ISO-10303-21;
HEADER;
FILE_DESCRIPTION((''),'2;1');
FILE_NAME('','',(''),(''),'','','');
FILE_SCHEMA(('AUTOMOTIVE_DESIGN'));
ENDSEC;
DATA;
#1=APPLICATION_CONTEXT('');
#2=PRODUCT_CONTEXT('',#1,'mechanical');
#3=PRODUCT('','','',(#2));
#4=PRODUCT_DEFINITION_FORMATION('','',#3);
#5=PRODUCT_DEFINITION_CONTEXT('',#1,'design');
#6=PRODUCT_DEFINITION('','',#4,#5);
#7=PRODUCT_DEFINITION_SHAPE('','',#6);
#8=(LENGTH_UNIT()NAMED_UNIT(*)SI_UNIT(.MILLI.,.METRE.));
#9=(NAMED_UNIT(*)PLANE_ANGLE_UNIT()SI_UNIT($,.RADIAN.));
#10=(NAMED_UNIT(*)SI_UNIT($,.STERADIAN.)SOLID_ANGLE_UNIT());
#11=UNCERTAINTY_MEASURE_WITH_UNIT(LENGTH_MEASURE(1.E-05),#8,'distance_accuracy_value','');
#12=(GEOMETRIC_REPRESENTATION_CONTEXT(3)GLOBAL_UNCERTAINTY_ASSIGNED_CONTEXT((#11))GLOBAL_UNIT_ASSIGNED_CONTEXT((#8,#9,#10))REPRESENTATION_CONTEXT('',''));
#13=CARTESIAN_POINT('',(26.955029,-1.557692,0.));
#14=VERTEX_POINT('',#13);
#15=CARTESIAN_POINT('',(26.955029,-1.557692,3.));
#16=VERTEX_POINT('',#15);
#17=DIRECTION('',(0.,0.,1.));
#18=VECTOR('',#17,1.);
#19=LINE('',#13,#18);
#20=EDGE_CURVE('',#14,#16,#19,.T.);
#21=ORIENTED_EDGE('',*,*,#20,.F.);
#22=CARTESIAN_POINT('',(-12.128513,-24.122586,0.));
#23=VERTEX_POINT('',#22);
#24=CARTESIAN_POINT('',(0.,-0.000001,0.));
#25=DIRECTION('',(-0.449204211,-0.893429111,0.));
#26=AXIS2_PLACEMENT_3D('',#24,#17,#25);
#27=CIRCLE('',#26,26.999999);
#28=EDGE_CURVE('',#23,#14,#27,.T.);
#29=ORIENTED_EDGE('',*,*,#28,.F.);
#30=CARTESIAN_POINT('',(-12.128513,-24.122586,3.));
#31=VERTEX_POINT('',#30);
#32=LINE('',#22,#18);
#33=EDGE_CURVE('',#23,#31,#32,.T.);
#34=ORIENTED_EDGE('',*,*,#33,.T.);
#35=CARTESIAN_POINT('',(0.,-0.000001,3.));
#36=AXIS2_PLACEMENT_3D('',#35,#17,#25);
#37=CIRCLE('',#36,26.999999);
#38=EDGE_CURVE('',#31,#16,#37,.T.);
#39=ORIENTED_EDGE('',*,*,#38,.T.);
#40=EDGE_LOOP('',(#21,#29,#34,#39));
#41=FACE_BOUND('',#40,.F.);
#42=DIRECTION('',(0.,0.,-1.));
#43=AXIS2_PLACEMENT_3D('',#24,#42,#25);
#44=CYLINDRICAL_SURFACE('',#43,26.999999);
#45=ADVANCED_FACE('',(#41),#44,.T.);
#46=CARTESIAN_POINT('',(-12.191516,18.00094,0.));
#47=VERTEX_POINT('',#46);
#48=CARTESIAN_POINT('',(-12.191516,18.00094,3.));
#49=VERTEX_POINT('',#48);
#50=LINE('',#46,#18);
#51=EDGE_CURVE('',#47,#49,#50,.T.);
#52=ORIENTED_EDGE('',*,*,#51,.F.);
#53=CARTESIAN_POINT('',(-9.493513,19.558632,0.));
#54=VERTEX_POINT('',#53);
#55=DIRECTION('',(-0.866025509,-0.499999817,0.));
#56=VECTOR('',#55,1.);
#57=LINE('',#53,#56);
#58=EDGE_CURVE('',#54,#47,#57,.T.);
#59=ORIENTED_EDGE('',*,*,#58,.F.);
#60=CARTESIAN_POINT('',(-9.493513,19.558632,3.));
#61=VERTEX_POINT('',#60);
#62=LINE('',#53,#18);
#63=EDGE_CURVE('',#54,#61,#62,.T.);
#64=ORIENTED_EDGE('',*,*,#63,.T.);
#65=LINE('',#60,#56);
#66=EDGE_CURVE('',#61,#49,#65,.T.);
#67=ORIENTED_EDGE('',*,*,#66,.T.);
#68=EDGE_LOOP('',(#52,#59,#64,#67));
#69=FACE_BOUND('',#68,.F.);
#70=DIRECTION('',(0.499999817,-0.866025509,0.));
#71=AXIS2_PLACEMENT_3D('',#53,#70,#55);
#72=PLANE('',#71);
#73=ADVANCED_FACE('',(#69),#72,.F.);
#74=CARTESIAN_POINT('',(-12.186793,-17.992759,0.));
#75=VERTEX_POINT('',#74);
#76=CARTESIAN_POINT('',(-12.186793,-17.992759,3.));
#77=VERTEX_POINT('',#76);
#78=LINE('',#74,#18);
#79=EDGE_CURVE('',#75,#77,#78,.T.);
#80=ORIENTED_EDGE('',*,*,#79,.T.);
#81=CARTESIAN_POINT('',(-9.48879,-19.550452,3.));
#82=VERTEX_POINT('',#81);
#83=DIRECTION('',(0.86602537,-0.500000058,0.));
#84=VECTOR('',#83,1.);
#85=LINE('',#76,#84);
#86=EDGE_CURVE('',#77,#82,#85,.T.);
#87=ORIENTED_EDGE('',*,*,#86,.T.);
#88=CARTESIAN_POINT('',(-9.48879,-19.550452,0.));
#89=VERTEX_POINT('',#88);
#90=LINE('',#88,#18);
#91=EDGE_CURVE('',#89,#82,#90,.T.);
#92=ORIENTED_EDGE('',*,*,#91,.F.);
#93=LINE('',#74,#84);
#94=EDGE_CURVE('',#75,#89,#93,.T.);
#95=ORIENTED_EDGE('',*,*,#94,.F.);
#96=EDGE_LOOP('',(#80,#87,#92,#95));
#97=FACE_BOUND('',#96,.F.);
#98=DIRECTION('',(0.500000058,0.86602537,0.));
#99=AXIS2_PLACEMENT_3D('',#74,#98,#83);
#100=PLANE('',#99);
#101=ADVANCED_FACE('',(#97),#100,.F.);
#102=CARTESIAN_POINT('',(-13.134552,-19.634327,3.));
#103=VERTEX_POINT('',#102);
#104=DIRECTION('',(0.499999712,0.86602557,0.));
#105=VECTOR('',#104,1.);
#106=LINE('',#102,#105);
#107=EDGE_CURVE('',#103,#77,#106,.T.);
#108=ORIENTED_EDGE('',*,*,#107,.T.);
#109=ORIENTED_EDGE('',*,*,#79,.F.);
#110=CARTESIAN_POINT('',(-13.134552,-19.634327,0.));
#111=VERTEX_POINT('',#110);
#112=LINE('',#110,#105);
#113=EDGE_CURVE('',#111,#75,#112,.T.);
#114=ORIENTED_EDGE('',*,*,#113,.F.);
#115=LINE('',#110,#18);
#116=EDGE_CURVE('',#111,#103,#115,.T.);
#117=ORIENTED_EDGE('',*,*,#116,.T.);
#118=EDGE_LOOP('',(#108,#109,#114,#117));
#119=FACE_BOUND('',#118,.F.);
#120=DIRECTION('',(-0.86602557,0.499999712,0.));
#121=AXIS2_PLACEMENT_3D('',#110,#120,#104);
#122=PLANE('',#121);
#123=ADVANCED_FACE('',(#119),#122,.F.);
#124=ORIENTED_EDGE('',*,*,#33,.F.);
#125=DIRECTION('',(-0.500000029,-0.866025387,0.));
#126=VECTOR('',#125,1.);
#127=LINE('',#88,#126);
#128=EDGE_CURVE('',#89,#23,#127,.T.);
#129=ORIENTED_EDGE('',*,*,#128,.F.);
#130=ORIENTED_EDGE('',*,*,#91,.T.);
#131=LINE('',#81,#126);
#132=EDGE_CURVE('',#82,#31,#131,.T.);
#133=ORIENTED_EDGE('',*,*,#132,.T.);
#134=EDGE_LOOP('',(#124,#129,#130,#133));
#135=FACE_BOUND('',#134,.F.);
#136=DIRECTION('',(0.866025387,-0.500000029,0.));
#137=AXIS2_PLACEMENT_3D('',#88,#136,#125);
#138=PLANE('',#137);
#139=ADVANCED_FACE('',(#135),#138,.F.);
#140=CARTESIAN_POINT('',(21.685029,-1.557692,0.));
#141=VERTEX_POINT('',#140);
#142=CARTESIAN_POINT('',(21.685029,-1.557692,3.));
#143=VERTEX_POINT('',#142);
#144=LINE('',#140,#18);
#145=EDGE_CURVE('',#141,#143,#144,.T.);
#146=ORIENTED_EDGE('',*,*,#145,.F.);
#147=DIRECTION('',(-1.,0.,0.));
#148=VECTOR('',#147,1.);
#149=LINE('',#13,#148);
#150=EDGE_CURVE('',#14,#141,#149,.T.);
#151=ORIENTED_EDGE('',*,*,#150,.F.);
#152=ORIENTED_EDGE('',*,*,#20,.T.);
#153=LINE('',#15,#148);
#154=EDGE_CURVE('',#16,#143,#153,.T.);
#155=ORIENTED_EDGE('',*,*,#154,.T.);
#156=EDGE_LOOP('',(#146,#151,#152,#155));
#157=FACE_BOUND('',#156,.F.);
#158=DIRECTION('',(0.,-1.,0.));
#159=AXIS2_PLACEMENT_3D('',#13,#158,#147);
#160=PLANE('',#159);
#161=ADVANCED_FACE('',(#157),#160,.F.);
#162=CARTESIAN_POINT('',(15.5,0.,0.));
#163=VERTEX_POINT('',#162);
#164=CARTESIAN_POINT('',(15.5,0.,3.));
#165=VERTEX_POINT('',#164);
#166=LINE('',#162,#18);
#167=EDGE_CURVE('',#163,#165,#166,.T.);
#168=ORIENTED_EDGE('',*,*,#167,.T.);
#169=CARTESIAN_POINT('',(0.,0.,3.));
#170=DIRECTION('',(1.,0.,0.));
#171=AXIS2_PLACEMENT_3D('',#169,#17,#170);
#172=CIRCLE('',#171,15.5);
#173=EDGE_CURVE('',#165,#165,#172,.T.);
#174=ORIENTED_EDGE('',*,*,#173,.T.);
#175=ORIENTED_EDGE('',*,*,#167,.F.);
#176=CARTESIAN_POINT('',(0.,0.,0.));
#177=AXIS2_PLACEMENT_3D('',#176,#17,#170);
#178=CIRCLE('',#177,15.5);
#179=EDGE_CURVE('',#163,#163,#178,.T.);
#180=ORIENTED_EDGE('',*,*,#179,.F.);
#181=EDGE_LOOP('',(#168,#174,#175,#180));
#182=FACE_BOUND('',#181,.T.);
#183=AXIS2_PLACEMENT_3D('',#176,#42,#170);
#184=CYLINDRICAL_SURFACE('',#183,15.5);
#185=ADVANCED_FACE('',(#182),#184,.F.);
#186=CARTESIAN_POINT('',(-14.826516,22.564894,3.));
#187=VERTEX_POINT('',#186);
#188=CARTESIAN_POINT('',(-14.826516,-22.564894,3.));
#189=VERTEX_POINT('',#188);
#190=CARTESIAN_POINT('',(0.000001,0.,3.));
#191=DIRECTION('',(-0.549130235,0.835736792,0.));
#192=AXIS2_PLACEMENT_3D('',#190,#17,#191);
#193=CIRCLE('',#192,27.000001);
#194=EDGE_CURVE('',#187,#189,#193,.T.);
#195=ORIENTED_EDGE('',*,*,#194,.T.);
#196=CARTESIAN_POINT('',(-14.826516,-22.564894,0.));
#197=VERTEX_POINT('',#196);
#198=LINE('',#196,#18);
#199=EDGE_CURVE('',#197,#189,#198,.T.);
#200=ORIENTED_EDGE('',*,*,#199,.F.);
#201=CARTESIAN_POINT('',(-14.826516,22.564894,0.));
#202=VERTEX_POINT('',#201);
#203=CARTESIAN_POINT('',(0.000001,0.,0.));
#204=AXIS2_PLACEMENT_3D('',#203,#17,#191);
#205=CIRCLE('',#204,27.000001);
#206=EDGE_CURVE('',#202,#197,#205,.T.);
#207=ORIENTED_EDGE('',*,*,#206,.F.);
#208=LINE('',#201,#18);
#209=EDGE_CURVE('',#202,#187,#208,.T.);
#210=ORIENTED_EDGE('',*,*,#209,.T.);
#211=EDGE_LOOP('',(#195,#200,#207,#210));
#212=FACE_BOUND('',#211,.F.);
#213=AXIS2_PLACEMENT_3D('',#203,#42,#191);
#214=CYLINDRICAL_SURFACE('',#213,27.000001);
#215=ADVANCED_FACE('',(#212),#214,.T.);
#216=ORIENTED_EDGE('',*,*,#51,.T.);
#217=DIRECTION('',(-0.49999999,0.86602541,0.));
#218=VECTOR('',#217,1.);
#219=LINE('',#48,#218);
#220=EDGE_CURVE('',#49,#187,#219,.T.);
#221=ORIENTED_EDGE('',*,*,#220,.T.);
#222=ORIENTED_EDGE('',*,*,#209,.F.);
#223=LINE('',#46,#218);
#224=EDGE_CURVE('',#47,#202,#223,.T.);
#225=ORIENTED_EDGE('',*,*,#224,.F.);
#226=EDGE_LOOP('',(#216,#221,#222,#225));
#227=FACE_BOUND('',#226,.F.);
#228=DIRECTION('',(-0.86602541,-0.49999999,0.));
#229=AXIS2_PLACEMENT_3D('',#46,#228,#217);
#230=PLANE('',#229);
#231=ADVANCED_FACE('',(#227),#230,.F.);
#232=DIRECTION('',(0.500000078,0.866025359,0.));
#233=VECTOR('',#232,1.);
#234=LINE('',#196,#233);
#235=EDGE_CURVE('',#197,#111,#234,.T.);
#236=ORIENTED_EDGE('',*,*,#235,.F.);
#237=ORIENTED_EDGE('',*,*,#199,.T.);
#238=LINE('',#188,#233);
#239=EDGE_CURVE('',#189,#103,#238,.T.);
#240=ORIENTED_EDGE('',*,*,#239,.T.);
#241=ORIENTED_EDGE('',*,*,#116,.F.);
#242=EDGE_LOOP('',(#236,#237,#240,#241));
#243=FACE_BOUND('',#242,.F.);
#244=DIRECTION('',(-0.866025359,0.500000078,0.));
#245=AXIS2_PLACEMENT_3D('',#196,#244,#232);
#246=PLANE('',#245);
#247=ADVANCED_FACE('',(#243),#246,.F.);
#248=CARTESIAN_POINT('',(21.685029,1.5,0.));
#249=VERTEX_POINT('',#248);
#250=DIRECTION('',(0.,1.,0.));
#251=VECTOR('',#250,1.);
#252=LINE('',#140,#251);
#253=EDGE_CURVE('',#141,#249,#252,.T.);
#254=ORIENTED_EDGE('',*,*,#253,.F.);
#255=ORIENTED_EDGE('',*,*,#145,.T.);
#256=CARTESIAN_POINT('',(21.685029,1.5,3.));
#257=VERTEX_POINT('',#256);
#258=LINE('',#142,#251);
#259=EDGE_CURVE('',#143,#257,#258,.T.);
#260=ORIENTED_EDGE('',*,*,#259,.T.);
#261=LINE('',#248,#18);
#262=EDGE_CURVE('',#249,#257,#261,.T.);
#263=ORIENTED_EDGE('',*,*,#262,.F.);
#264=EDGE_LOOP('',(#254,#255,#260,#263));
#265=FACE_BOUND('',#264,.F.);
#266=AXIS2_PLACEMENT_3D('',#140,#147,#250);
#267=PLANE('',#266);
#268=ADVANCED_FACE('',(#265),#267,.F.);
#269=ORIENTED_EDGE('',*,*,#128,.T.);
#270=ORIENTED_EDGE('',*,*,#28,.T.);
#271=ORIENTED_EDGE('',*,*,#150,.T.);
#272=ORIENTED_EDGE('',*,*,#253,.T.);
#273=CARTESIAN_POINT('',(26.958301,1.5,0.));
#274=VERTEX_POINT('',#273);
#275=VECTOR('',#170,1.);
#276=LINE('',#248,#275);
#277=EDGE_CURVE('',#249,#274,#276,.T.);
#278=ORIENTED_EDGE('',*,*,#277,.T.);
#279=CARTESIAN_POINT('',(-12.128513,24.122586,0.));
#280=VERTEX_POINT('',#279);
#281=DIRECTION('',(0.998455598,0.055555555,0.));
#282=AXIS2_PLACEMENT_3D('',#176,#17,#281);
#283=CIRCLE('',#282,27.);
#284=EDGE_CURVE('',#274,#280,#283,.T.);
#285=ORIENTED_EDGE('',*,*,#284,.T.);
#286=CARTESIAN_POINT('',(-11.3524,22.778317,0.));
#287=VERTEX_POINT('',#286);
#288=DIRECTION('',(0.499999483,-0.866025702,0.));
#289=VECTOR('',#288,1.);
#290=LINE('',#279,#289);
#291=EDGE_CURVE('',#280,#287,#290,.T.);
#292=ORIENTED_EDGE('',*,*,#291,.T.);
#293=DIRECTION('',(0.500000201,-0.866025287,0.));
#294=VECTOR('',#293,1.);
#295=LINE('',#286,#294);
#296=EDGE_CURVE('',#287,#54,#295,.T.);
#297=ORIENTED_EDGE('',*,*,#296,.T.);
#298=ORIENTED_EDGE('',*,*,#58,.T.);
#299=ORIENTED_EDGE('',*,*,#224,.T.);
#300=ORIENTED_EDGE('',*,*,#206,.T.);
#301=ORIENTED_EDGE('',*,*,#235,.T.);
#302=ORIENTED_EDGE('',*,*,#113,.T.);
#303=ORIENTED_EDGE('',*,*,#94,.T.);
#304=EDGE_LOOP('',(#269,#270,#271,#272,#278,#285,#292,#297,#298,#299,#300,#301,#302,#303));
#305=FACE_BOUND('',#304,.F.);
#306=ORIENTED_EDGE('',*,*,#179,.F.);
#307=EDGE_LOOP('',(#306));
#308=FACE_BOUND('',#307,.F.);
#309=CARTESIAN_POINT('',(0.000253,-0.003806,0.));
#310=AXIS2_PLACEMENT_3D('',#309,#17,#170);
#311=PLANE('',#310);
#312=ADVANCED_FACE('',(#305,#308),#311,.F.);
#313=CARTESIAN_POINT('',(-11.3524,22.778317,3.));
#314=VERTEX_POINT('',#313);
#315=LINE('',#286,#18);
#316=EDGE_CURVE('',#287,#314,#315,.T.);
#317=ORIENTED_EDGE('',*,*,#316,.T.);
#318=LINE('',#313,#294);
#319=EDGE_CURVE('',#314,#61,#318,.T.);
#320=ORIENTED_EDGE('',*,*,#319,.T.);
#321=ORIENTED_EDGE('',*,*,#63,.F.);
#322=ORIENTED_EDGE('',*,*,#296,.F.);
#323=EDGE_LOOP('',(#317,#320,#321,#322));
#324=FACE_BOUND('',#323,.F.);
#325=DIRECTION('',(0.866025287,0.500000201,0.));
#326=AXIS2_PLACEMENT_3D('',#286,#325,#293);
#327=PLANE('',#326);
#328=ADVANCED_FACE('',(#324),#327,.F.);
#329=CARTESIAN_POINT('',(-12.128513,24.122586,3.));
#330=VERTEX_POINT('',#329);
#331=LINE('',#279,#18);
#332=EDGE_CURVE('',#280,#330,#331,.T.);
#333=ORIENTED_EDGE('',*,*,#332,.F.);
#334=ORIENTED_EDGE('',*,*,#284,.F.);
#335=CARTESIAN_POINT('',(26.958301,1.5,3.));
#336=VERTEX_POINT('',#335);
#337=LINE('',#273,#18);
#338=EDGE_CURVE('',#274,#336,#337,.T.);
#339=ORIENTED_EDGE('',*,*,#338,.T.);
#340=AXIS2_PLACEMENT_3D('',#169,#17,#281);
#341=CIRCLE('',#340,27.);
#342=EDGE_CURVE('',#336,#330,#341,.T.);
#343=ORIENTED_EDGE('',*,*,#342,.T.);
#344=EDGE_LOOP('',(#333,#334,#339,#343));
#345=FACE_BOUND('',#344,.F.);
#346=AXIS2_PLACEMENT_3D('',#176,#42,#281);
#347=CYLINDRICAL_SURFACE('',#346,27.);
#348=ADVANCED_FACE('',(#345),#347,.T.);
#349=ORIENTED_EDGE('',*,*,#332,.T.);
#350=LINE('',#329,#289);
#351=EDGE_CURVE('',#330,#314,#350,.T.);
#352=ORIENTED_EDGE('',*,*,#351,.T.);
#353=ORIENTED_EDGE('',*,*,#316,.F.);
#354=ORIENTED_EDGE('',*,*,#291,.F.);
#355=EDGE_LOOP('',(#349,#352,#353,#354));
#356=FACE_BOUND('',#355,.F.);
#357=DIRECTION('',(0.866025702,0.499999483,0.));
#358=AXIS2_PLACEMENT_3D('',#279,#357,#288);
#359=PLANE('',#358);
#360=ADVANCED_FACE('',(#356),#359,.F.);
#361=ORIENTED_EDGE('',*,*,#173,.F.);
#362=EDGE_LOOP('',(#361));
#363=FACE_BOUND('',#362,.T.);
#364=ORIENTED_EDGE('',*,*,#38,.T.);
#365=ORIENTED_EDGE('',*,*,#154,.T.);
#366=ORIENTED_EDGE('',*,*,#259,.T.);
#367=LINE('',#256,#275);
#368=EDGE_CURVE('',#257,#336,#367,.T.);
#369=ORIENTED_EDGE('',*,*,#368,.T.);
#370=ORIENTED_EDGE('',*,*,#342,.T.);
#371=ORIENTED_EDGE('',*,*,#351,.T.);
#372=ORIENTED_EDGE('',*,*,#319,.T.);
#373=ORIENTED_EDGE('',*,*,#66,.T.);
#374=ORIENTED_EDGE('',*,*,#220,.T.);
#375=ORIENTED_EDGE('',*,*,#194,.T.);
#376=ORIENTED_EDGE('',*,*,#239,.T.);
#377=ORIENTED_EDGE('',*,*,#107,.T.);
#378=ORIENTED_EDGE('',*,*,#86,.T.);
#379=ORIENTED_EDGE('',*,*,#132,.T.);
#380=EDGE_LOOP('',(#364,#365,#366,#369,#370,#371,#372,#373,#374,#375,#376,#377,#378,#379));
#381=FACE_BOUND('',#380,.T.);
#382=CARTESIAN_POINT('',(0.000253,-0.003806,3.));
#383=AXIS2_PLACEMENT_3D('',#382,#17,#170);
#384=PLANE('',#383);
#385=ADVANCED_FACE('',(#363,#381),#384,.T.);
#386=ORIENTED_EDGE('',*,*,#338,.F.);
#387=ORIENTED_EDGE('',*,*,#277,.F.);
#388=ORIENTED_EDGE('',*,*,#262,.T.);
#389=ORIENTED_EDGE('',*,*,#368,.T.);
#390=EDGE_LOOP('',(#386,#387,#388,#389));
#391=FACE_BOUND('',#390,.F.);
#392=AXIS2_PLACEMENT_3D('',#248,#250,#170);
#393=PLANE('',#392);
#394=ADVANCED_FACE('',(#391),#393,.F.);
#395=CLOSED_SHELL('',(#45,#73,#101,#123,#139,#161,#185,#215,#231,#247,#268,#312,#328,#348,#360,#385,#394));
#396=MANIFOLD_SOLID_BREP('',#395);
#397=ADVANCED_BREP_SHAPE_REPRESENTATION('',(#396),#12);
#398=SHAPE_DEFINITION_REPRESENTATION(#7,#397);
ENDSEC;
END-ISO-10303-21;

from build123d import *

# Parameters (mm, degrees)
F0_R     = 15.5
F1_DEPTH = 3


with BuildPart() as f1:
    # F0 (on Top) → F1 (new body)
    with BuildSketch(Plane.XY):
        with BuildLine():
            Line((-12.191516, 18.00094), (-14.826516, 22.564894))
            ThreePointArc((-14.826516, 22.564894), (-27, 0), (-14.826516, -22.564894))
            Line((-14.826516, -22.564894), (-13.134552, -19.634327))
            Line((-13.134552, -19.634327), (-12.186793, -17.992759))
            Line((-12.186793, -17.992759), (-9.48879, -19.550452))
            Line((-9.48879, -19.550452), (-12.128513, -24.122586))
            ThreePointArc((-12.128513, -24.122586), (13.5, -23.382686), (26.955029, -1.557692))
            Line((26.955029, -1.557692), (21.685029, -1.557692))
            Line((21.685029, -1.557692), (21.685029, 0.020192))
            Line((21.685029, 0.020192), (21.685029, 1.5))
            Line((21.685029, 1.5), (23.107925, 1.5))
            Line((23.107925, 1.5), (26.958301, 1.5))
            ThreePointArc((26.958301, 1.5), (13.525014, 23.368226), (-12.128513, 24.122586))
            Line((-12.128513, 24.122586), (-11.3524, 22.778317))
            Line((-11.3524, 22.778317), (-9.493513, 19.558632))
            Line((-9.493513, 19.558632), (-12.191516, 18.00094))
        make_face()
        Circle(F0_R, mode=Mode.SUBTRACT)
    extrude(amount=F1_DEPTH)


solid = f1.part
